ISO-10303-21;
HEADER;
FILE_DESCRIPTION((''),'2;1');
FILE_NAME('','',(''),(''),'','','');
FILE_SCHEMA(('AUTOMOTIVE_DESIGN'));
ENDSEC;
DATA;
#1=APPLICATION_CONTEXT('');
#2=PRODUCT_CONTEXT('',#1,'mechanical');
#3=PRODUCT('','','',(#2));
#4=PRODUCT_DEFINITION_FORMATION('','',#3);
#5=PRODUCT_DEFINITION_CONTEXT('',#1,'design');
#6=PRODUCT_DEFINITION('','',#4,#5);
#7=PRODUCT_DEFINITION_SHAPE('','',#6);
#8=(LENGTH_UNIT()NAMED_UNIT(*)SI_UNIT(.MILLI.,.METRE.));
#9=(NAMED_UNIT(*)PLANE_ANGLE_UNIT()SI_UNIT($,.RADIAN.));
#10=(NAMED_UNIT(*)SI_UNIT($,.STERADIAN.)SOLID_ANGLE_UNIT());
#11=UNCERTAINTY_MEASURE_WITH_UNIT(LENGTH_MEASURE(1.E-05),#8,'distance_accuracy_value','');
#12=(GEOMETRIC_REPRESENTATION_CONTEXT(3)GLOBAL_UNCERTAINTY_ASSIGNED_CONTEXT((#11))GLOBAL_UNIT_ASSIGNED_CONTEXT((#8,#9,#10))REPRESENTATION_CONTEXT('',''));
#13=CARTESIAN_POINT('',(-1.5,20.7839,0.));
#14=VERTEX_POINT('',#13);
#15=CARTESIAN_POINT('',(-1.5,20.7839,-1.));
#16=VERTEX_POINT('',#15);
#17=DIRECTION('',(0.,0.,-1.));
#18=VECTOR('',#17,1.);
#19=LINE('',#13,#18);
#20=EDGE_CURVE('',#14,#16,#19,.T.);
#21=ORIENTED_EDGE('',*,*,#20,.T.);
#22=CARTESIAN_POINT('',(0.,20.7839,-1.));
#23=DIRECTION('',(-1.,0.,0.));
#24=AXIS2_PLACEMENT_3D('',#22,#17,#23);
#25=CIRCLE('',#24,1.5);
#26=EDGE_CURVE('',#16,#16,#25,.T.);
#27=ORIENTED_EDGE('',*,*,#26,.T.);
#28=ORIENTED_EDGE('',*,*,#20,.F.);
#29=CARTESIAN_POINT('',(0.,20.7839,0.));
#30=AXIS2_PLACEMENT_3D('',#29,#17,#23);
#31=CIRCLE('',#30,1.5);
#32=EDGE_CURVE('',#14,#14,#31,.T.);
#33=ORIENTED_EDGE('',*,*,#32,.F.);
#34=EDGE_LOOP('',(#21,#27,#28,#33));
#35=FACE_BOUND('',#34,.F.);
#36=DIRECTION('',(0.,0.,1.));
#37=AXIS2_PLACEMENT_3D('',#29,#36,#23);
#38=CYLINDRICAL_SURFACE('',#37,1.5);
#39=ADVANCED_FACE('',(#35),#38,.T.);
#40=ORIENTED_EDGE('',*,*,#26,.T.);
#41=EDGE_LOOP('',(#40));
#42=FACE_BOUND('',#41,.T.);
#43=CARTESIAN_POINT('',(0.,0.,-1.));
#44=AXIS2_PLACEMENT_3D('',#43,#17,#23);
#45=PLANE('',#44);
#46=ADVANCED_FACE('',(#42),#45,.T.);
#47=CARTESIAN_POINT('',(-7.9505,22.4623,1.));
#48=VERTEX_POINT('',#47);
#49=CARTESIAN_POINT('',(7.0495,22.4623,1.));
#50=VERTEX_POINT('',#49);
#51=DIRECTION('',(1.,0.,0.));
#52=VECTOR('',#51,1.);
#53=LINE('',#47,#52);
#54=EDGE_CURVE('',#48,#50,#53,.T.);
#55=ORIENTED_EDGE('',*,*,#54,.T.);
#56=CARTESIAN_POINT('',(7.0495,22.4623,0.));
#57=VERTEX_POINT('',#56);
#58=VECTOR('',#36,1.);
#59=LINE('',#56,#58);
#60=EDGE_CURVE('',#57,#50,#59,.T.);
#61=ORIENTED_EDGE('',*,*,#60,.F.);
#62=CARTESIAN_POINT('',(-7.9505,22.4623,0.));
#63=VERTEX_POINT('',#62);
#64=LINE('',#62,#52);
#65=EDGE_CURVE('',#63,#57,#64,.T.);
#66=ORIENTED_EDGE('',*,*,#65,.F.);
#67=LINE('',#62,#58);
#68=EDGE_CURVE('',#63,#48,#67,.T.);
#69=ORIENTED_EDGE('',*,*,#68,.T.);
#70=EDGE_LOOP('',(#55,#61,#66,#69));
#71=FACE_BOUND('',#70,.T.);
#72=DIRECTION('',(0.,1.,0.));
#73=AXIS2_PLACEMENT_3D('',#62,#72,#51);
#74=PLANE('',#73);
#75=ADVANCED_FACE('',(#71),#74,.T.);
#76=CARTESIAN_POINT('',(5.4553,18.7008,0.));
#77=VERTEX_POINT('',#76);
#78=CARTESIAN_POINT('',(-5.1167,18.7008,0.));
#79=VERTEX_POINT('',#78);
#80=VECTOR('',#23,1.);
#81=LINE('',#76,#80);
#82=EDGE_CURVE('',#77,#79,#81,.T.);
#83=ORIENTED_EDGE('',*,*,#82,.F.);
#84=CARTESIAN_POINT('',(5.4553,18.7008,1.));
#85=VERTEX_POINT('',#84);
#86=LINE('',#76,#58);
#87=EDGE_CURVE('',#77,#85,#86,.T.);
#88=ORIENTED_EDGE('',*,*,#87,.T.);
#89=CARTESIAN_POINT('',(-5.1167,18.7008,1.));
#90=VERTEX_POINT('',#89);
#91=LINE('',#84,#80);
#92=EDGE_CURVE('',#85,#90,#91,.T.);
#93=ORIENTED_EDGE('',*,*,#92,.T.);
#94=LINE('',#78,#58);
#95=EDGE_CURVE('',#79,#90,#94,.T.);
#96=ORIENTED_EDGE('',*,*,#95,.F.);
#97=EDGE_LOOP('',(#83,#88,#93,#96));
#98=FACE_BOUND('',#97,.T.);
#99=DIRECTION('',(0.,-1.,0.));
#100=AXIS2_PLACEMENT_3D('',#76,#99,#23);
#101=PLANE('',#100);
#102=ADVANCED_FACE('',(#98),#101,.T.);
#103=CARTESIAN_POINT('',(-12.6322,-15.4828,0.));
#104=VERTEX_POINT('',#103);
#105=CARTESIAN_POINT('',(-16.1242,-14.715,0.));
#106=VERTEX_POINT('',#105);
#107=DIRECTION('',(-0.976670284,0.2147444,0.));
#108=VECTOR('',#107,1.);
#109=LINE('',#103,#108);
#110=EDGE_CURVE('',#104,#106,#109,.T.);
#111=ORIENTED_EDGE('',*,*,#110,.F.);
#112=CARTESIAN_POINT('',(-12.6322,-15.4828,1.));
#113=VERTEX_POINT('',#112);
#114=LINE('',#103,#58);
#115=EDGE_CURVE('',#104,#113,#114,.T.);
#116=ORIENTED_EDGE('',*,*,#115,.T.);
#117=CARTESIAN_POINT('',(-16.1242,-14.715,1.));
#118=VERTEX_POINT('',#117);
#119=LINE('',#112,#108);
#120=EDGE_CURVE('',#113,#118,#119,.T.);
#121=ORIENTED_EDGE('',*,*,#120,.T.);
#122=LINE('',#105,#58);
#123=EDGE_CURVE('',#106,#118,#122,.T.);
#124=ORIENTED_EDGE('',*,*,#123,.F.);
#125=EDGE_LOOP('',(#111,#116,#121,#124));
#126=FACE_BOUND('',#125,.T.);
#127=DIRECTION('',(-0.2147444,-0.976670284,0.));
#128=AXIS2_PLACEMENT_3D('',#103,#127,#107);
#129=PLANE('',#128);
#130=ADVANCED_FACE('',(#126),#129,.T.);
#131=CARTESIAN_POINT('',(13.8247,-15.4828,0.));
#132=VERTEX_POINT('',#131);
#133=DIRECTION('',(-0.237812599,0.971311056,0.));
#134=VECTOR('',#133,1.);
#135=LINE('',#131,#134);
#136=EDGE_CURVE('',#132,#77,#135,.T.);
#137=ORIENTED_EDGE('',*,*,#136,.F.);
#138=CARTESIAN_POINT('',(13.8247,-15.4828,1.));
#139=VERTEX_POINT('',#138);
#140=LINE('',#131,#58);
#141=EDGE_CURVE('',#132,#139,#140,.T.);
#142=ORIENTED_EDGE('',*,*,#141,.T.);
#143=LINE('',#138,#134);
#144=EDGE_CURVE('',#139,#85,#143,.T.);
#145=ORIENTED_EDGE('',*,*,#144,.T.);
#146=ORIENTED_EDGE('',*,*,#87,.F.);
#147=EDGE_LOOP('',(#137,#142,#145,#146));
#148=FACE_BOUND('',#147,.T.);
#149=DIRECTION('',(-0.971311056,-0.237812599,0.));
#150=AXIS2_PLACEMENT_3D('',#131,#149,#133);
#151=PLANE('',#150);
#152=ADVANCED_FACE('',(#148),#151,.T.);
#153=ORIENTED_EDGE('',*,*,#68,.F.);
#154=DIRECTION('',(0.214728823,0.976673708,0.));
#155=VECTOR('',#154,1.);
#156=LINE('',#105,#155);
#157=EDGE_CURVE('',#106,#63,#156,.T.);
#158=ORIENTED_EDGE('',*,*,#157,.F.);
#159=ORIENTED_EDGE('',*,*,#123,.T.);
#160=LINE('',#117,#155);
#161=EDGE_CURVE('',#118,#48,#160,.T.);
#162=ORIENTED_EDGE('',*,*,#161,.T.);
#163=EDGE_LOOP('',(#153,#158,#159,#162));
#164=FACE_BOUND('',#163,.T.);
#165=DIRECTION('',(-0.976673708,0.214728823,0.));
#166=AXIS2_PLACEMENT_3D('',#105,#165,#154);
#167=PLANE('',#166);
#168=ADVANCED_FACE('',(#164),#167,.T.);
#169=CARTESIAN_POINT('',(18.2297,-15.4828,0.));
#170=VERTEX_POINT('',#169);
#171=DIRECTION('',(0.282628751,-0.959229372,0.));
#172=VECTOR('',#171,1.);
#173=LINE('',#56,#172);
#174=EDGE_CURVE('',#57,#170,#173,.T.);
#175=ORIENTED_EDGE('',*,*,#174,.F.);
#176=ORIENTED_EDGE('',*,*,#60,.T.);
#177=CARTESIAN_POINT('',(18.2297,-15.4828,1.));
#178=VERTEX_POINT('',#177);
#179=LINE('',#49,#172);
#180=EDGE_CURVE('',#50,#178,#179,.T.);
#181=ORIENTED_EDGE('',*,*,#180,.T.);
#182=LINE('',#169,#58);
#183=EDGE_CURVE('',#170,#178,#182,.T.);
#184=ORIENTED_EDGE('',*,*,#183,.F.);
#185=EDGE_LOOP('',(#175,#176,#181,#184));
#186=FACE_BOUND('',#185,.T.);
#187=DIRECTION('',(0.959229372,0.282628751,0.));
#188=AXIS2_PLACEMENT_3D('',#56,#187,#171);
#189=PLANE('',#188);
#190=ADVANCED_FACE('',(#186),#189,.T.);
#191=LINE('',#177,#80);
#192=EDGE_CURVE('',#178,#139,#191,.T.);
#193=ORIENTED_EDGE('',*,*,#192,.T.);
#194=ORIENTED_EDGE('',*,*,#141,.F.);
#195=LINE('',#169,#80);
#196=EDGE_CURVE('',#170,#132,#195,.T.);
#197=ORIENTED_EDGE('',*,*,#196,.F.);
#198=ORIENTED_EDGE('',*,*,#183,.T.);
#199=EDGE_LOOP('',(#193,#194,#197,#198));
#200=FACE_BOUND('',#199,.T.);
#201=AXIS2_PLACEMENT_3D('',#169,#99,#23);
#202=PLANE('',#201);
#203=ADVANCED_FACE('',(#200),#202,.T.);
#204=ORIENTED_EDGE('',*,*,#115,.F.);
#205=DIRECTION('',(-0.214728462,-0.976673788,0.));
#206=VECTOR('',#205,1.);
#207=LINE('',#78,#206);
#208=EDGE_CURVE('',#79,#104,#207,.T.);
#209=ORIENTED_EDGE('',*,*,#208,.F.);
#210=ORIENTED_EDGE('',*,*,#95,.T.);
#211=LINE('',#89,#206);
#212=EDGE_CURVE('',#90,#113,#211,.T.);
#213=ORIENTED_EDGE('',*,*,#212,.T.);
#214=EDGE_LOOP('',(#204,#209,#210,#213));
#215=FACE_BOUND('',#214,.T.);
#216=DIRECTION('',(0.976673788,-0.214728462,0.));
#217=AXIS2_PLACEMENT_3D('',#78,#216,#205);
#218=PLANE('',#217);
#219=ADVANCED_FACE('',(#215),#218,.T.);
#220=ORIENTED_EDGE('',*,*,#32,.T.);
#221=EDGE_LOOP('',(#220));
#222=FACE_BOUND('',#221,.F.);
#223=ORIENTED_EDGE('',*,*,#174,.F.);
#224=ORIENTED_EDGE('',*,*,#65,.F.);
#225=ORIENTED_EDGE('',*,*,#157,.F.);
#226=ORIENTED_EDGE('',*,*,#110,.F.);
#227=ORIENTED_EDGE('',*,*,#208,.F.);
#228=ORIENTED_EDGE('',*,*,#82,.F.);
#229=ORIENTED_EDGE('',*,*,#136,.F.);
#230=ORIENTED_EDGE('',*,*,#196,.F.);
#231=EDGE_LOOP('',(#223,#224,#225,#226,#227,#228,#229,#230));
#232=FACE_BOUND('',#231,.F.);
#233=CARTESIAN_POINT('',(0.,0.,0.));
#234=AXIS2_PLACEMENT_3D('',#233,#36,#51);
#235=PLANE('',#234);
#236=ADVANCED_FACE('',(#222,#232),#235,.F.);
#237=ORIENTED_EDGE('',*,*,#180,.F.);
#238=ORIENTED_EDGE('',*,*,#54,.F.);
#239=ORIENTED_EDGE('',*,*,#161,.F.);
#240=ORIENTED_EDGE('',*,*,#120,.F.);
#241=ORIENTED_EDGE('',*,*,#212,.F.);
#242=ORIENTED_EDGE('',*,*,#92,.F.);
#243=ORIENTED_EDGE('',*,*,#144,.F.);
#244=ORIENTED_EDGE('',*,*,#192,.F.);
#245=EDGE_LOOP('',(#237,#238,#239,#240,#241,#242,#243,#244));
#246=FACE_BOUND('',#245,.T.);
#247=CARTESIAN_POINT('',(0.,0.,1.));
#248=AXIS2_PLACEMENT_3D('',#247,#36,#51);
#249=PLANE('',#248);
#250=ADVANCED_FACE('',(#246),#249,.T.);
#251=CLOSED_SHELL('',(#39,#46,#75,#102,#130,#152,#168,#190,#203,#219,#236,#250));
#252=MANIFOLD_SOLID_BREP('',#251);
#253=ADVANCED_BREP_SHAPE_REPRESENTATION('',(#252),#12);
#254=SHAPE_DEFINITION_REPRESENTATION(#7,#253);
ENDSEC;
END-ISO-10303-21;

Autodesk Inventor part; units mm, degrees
ref_plane "YZ Plane" through (0, 0, 0) normal (1, 0, 0) x (0, 1, 0)
ref_plane "XZ Plane" through (0, 0, 0) normal (0, 1, 0) x (-1, 0, 0)
ref_plane "XY Plane" through (0, 0, 0) normal (0, 0, 1) x (1, 0, 0)
sketch "Sketch1" plane through (0, 0, 0) normal (0, 0, 1) x (1, 0, 0)
  line L0 (-5.1167, 18.7008) -> (-12.6322, -15.4828)
  line L1 (-12.6322, -15.4828) -> (-16.1242, -14.715)
  line L2 (-16.1242, -14.715) -> (-7.9505, 22.4623)
  line L3 (-7.9505, 22.4623) -> (7.0495, 22.4623)
  line L4 (7.0495, 22.4623) -> (18.2297, -15.4828)
  line L5 (18.2297, -15.4828) -> (13.8247, -15.4828)
  line L6 (13.8247, -15.4828) -> (5.4553, 18.7008)
  line L7 (5.4553, 18.7008) -> (-5.1167, 18.7008)
  point P0 (0, 0)
  dimension "d0" = 35
  dimension "d1" = 15
extrude "Extrusion1" add sketch "Sketch1" along normal blind 1
sketch "Sketch2" plane through (0, 0, 0) normal (0, 0, -1) x (-1, 0, 0)
  circle A0 centre (0, 20.7839) radius 1.5
  point P0 (0, 0)
  dimension "d4" = 3
extrude "Extrusion2" add sketch "Sketch2" along normal blind 1
properties part number "FW stand"
